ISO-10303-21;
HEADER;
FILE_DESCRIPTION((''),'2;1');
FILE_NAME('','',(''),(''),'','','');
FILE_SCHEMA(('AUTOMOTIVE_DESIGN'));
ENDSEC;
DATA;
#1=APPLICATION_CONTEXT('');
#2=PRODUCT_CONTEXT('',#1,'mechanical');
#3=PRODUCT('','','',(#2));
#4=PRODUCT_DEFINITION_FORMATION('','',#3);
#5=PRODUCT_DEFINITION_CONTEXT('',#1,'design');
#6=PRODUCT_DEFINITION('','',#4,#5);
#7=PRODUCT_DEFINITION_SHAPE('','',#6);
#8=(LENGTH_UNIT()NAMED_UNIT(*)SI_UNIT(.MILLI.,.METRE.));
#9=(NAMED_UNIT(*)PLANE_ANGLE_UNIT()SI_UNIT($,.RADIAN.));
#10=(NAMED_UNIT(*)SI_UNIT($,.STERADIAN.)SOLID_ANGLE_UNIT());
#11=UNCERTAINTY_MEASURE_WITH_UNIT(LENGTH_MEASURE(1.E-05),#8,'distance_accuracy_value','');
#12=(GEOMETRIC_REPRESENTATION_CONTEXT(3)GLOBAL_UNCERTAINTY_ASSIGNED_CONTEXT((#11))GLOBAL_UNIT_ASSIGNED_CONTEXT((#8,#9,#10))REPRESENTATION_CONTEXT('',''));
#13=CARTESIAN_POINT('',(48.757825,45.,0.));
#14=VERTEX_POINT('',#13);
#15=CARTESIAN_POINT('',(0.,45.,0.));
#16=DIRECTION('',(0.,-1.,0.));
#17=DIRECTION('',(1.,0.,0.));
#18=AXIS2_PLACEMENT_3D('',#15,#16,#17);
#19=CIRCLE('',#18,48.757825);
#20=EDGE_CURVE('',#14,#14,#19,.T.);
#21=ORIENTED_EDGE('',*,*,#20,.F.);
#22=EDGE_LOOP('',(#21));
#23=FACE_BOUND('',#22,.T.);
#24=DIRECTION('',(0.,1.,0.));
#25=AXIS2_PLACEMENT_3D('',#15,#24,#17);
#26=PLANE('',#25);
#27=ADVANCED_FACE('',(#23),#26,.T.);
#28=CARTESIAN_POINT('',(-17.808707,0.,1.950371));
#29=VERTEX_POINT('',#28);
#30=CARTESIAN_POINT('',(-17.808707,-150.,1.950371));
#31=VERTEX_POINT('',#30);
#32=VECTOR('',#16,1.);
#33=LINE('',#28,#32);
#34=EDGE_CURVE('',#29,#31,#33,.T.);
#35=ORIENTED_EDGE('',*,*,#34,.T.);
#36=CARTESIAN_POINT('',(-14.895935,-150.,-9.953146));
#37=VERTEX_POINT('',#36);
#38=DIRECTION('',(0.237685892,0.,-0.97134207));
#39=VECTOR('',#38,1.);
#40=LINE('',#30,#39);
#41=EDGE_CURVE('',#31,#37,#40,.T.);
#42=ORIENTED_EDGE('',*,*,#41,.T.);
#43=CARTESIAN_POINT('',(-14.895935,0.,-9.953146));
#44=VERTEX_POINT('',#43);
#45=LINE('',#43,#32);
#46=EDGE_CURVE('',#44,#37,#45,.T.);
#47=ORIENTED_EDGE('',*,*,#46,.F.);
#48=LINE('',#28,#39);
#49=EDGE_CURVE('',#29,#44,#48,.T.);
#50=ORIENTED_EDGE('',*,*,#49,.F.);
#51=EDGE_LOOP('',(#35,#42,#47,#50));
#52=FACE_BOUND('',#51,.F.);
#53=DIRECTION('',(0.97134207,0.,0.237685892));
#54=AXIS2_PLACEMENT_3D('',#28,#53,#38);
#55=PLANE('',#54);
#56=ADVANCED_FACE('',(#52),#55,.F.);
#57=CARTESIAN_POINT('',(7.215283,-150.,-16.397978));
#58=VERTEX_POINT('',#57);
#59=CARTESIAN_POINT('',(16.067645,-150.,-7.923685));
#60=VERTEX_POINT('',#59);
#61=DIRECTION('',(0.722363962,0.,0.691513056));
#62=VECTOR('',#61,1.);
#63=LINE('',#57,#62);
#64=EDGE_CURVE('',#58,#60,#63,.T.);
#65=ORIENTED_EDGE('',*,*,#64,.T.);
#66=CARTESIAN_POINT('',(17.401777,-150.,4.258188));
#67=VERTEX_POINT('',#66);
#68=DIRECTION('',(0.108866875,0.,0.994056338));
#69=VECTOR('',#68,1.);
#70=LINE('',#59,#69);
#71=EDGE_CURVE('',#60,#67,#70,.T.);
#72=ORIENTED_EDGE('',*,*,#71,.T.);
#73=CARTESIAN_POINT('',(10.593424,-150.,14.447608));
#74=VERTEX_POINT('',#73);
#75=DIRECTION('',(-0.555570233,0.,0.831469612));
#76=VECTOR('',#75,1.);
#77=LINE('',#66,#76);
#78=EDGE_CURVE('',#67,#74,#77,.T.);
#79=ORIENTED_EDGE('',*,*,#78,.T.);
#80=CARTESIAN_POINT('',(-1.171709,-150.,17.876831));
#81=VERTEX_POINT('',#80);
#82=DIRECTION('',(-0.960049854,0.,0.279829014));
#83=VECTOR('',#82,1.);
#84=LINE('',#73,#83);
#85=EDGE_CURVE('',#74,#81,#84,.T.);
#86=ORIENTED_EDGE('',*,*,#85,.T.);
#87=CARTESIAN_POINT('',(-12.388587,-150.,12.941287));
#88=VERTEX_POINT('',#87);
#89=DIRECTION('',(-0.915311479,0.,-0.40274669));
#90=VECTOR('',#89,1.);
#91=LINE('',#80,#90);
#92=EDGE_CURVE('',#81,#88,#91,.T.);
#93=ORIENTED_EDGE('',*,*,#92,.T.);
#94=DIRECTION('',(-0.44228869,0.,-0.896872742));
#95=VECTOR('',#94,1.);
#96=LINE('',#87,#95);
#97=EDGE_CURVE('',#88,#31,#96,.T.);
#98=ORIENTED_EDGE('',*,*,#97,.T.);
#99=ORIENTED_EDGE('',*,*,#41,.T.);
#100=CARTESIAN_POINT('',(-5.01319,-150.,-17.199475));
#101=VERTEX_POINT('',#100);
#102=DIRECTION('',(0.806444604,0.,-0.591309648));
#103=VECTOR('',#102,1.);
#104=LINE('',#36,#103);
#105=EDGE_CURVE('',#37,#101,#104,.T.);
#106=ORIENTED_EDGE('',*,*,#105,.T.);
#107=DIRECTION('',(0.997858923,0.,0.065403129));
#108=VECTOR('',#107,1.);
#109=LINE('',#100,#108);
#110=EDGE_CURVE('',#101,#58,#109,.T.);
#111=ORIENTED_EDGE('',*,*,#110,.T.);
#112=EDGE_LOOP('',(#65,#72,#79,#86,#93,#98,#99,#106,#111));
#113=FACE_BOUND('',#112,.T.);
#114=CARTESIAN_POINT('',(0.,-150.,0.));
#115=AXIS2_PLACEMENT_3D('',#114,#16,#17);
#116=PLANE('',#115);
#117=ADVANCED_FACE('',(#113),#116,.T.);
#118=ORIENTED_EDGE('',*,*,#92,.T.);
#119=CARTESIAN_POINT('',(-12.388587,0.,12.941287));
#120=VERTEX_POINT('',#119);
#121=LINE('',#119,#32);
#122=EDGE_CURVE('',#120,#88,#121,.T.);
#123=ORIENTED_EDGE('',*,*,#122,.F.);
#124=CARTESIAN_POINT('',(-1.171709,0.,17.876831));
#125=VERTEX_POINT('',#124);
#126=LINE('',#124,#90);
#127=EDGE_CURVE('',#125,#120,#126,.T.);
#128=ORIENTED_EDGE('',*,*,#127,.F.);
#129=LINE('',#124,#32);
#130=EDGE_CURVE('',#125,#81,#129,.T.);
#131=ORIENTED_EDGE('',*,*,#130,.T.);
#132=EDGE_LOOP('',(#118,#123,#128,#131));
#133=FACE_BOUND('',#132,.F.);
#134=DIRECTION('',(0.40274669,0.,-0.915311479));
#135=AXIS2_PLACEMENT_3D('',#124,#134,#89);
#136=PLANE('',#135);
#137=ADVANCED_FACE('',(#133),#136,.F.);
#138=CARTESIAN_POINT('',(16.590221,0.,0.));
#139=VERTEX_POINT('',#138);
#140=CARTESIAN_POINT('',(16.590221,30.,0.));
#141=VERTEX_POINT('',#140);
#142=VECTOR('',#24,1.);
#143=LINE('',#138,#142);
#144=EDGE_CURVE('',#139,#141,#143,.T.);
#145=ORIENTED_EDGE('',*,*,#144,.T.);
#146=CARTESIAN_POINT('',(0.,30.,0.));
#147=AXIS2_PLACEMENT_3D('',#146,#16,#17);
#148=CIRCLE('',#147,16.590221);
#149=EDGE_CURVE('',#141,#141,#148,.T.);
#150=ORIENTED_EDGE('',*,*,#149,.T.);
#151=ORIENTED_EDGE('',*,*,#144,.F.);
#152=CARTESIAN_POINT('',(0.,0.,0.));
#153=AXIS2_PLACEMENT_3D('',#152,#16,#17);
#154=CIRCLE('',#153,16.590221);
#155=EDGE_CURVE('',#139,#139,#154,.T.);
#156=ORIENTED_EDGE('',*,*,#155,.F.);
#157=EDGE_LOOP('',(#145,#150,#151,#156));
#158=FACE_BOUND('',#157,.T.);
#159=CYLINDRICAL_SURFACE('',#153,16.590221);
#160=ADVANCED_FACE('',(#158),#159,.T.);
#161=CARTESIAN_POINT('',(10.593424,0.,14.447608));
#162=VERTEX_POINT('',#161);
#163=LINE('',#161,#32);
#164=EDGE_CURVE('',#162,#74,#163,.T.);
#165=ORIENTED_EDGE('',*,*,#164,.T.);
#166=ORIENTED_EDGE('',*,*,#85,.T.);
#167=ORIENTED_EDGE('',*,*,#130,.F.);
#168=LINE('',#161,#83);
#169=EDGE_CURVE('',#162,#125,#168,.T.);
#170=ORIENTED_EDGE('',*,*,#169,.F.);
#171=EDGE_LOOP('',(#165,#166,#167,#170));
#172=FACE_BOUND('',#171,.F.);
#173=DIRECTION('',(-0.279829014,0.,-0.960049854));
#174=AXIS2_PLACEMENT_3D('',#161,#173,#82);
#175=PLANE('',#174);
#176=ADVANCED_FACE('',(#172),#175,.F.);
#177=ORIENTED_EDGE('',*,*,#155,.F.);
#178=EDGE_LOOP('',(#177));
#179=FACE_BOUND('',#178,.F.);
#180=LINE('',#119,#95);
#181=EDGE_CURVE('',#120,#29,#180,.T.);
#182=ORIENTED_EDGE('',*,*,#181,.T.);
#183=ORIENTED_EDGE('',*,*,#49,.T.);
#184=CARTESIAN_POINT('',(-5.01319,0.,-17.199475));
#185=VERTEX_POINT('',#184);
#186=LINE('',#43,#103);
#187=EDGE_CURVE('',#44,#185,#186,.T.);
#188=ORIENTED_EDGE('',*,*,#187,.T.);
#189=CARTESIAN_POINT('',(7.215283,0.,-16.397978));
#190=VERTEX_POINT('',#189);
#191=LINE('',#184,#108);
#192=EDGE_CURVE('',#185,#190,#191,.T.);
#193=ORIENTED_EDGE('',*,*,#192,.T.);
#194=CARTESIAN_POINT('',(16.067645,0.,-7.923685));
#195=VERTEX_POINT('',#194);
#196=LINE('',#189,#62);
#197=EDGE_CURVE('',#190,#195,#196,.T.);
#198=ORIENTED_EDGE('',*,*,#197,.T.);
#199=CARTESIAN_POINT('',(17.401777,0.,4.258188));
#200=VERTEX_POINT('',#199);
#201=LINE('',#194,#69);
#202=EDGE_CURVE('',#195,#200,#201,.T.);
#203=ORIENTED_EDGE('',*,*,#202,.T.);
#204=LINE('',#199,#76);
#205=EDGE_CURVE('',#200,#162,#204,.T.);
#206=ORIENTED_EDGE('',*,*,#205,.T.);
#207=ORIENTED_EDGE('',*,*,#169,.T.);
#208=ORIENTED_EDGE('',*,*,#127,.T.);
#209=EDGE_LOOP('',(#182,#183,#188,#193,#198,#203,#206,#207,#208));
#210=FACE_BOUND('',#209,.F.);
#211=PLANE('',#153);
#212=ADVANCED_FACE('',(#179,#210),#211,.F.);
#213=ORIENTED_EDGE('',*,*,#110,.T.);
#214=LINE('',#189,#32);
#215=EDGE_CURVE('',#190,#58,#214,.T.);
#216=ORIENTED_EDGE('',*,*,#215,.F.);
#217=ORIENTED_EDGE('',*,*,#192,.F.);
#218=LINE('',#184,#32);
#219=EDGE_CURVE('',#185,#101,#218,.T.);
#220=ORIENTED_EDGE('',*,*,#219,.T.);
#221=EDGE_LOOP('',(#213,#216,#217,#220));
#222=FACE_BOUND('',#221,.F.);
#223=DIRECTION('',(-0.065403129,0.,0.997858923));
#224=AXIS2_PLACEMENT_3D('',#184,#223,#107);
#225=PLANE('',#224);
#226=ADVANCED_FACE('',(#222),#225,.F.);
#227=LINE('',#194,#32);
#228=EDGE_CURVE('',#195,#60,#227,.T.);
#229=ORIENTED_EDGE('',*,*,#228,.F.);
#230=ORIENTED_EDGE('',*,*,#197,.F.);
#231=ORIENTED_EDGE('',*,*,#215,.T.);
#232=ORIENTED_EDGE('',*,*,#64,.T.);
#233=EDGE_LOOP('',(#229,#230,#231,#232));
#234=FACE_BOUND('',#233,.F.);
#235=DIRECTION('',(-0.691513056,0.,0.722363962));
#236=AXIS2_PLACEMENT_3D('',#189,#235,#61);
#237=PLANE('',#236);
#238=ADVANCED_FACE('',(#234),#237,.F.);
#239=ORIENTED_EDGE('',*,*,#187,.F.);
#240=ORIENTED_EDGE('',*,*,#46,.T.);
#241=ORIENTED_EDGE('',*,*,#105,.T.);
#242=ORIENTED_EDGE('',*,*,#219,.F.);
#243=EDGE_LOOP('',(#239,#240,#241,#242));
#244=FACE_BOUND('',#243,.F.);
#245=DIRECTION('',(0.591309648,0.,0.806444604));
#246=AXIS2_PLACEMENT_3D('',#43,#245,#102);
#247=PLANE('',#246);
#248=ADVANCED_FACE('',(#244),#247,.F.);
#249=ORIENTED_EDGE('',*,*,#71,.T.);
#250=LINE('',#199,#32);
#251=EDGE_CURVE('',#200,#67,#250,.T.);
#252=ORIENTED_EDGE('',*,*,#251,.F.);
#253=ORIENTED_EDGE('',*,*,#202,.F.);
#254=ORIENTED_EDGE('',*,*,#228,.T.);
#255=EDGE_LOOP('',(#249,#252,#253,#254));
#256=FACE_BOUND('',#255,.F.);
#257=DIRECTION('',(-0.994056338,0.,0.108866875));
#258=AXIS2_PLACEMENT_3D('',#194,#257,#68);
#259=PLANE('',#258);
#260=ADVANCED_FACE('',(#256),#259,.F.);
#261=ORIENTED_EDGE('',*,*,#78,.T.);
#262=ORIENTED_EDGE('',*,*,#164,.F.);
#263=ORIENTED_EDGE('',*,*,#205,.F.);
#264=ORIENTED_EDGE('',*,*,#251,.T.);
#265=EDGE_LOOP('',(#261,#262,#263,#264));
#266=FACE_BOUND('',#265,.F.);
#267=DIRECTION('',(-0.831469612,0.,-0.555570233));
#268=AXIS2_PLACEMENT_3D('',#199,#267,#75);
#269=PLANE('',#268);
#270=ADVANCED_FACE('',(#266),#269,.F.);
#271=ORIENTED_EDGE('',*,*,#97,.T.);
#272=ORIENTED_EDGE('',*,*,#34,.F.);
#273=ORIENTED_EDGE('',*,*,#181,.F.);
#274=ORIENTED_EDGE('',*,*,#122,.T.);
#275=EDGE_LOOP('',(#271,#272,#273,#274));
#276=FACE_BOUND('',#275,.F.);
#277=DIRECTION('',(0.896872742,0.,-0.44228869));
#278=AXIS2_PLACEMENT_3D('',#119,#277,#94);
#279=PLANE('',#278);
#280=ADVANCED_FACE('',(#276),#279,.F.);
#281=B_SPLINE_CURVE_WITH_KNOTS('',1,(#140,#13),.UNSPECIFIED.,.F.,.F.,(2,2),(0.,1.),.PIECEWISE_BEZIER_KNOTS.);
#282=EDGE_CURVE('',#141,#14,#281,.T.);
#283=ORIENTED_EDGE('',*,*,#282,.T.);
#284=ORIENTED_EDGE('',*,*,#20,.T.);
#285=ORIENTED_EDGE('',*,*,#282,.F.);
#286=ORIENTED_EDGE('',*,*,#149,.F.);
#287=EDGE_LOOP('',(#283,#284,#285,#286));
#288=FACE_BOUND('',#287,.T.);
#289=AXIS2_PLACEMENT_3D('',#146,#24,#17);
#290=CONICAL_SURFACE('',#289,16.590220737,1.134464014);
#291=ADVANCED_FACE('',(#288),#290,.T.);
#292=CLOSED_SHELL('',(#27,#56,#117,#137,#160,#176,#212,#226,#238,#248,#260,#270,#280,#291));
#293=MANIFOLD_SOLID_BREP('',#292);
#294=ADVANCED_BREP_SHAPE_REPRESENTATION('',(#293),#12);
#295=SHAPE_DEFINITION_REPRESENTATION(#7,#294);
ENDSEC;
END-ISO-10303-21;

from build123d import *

# Parameters (mm, degrees)
F1_DEPTH  = 150
F2_R      = 16.5902207369
F3_DEPTH  = 30
F3_FACE_R = 16.5902207369
F4_DEPTH  = 15
F4_TAPER  = -65


with BuildPart() as f1:
    # F0 (on Front) → F1 (new body)
    with BuildSketch(Plane.XZ):
        Polygon((-5.0131896813, -17.1994746155), (7.2152830783, -16.3979781659), (16.0676446966, -7.9236854892), (17.4017767894, 4.2581876898), (10.5934241232, 14.4476075243), (-1.171709423, 17.8768312309), (-12.3885871081, 12.9412869257), (-17.8087072015, 1.9503706416), (-14.8959352736, -9.9531457416), align=None)
    extrude(amount=F1_DEPTH)

    # F2 (on Front) → F3 (join)
    with BuildSketch(Plane.XZ):
        Circle(F2_R)
    extrude(amount=-F3_DEPTH)

    # F3_face (on face) → F4 (join)
    with BuildSketch(Plane(origin=(0, 30, 0), x_dir=(1, 0, 0), z_dir=(0, 1, 0))):
        Circle(F3_FACE_R)
    extrude(amount=F4_DEPTH, taper=F4_TAPER)


solid = f1.part
